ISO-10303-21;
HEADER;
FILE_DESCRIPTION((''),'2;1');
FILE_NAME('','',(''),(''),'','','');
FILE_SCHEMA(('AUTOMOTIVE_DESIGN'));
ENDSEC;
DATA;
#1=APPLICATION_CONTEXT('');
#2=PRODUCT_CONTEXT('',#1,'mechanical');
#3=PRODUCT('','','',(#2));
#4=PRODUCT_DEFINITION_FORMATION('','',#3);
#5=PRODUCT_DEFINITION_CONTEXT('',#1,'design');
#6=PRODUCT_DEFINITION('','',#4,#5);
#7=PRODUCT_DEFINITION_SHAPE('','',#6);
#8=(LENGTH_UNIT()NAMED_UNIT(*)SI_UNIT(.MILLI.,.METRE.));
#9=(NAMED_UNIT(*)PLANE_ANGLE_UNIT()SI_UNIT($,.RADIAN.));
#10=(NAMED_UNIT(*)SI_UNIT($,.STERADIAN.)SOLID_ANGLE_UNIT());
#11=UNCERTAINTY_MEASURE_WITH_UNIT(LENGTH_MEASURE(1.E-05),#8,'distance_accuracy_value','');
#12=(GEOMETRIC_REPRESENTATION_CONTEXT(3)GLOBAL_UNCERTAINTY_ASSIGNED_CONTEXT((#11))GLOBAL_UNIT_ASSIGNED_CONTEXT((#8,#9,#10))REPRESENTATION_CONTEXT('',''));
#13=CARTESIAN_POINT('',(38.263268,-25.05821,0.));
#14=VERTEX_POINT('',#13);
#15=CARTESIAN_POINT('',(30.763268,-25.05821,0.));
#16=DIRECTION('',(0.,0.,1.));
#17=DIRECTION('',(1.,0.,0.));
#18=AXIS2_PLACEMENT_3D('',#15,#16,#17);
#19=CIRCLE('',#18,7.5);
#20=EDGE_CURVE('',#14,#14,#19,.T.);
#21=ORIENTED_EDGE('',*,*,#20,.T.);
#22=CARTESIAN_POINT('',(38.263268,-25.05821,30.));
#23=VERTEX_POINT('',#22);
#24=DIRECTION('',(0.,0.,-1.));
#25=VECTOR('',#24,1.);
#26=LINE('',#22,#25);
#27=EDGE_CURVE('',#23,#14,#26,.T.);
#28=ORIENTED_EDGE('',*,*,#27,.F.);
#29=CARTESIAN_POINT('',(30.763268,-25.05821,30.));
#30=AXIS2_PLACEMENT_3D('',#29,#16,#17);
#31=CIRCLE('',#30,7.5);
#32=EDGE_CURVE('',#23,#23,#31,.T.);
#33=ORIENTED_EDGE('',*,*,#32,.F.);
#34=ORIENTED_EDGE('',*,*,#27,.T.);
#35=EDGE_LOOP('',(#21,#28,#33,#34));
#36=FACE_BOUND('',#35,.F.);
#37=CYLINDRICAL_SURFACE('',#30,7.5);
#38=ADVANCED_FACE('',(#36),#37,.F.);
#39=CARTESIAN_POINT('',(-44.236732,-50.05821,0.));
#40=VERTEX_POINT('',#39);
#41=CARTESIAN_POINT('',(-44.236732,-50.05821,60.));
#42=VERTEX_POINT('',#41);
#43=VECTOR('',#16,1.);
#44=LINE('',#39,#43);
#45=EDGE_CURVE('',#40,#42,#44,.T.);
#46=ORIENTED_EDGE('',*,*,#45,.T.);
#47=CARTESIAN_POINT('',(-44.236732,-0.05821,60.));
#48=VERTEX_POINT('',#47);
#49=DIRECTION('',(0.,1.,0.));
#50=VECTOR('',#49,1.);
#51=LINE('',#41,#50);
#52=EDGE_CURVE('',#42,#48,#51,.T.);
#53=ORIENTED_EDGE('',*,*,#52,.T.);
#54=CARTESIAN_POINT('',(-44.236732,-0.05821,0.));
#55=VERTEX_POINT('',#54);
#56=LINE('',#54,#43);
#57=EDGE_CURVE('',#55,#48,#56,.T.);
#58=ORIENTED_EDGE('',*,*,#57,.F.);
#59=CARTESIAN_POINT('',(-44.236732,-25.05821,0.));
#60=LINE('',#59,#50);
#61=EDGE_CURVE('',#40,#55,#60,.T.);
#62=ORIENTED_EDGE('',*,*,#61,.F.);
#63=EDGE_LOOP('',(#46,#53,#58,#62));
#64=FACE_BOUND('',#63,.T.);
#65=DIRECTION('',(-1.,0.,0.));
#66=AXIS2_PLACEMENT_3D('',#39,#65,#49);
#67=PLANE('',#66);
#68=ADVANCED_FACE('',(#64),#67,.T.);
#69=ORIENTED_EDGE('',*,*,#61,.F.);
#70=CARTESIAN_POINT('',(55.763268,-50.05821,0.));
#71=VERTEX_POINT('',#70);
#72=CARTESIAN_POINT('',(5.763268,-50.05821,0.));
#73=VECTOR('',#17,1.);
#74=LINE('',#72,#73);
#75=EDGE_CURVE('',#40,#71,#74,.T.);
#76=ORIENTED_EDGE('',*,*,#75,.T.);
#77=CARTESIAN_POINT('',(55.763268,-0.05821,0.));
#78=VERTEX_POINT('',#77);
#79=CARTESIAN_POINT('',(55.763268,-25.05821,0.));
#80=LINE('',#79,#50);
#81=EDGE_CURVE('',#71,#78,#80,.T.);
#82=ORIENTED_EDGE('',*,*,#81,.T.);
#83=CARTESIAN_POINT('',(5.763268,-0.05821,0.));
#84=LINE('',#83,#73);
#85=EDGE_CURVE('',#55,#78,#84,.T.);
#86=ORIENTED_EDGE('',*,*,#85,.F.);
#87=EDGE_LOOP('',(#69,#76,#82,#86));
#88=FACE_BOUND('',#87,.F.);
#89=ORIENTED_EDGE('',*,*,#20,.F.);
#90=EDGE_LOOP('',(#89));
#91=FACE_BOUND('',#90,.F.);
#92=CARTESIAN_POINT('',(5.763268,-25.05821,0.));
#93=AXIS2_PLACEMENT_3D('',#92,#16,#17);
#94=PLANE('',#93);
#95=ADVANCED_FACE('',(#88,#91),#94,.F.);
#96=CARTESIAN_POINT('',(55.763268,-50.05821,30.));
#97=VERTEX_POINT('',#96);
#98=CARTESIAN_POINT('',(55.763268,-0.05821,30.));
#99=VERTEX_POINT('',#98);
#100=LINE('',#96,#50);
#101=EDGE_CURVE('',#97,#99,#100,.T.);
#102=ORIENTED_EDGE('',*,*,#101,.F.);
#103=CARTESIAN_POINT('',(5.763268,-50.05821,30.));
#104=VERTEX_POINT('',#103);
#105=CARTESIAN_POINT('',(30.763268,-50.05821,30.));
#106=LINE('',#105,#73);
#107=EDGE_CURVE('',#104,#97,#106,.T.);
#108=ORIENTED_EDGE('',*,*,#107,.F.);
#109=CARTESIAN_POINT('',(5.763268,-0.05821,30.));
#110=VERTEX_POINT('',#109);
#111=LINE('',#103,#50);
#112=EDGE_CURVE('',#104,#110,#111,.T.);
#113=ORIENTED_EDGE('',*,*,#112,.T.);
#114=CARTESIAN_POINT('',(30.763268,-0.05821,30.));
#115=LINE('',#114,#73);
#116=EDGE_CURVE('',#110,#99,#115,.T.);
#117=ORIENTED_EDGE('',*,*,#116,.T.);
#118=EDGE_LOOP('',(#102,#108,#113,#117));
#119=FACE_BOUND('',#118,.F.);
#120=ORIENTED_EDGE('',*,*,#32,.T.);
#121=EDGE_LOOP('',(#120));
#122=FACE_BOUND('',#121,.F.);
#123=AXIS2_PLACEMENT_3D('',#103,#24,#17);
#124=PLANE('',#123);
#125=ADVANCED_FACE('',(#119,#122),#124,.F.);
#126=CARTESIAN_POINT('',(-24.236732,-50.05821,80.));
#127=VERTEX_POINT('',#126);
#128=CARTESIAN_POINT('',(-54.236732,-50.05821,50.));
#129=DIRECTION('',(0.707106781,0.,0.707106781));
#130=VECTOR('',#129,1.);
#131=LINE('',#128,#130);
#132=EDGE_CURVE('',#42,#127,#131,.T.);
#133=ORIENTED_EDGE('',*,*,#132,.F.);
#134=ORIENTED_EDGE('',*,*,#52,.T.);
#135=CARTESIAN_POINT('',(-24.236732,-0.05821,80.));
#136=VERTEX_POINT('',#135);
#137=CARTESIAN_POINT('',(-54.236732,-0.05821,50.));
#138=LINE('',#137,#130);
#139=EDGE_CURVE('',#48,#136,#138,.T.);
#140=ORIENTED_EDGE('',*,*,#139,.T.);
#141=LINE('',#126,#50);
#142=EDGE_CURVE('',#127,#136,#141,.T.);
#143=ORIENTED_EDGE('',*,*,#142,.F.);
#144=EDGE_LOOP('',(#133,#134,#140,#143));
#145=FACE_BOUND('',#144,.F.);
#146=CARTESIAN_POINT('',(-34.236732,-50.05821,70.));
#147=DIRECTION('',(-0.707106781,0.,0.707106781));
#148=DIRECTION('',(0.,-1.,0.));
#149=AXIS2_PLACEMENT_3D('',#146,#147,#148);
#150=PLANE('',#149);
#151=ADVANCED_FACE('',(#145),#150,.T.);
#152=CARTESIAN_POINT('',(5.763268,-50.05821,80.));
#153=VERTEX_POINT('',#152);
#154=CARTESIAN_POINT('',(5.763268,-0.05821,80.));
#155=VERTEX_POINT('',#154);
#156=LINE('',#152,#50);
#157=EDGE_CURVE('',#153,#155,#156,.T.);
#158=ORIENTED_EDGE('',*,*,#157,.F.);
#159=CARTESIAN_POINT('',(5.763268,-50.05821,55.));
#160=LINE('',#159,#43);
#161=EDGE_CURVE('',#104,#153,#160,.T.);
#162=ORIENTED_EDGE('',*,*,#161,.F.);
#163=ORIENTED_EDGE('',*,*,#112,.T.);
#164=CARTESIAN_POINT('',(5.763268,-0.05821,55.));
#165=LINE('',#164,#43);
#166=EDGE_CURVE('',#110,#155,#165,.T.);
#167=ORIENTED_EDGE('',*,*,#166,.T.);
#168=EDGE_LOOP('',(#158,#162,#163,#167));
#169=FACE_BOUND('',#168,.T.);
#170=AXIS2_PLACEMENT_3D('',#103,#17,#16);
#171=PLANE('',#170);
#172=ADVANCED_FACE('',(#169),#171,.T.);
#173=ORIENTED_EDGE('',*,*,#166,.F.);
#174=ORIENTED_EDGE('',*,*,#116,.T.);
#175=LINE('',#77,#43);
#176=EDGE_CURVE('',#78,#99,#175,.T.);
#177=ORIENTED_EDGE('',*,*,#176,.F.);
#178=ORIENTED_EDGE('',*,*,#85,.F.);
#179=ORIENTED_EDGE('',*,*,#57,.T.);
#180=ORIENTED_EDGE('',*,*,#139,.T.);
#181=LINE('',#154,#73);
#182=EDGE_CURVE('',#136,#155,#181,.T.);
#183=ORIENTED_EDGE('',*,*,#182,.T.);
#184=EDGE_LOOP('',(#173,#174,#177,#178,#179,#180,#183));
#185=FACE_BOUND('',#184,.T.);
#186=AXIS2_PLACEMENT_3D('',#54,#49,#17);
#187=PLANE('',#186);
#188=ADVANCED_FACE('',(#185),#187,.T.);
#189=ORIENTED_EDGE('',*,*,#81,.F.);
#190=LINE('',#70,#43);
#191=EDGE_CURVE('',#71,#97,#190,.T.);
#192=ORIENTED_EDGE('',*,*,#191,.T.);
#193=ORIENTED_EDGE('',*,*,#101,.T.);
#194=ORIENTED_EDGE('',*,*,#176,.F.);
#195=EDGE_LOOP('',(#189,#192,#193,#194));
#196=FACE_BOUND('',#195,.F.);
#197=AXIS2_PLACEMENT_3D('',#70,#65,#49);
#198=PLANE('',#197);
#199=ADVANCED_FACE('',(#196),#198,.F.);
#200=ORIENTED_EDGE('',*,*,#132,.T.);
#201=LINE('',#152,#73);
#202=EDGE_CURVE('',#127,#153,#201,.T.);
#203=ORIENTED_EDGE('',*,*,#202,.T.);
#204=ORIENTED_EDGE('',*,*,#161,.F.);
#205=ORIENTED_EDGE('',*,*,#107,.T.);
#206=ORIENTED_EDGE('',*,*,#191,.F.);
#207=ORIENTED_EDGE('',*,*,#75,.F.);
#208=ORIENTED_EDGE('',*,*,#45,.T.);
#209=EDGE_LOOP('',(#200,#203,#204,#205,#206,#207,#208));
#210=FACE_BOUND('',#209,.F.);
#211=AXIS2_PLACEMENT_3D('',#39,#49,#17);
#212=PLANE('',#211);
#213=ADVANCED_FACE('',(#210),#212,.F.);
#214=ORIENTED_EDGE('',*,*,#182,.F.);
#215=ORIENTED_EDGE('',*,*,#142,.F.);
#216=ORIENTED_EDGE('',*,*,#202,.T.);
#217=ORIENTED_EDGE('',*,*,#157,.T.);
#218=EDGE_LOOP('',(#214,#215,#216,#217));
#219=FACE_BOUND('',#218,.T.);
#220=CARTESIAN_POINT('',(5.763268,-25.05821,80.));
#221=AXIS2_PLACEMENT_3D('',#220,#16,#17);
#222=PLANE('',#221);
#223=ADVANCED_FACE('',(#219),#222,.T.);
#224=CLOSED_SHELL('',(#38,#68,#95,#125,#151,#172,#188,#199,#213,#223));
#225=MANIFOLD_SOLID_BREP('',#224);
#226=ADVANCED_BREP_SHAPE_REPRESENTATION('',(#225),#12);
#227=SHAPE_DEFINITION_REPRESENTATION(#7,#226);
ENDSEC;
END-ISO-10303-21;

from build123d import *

# Parameters (mm, degrees)
F0_W     = 100
F0_H     = 50
F1_DEPTH = 80
F2_W     = 50
F2_H     = 50
F3_DEPTH = 50
F4_SIZE  = 20
F5_R     = 7.5
F6_DEPTH = 30


with BuildPart() as f1:
    # F0 (on Top) → F1 (new body)
    with BuildSketch(Plane.XY):
        with Locations((5.763268, -25.05821)):
            Rectangle(F0_W, F0_H)
    extrude(amount=F1_DEPTH)

    # F2 (on face) → F3 (cut, through all)
    with BuildSketch(Plane.XZ.offset(50.05821)):
        with Locations((30.763268, 55)):
            Rectangle(F2_W, F2_H)
    extrude(amount=-F3_DEPTH, mode=Mode.SUBTRACT)

    # F4
    f4_edges = [f1.edges().sort_by_distance(p)[0] for p in [
        (-44.236732, -25.05821, 80),
    ]]
    chamfer(f4_edges, length=F4_SIZE)

    # F5 (on face) → F6 (cut, through all)
    with BuildSketch(Plane.XY.offset(30)):
        with Locations((30.763268, -25.05821)):
            Circle(F5_R)
    extrude(amount=-F6_DEPTH, mode=Mode.SUBTRACT)


solid = f1.part
